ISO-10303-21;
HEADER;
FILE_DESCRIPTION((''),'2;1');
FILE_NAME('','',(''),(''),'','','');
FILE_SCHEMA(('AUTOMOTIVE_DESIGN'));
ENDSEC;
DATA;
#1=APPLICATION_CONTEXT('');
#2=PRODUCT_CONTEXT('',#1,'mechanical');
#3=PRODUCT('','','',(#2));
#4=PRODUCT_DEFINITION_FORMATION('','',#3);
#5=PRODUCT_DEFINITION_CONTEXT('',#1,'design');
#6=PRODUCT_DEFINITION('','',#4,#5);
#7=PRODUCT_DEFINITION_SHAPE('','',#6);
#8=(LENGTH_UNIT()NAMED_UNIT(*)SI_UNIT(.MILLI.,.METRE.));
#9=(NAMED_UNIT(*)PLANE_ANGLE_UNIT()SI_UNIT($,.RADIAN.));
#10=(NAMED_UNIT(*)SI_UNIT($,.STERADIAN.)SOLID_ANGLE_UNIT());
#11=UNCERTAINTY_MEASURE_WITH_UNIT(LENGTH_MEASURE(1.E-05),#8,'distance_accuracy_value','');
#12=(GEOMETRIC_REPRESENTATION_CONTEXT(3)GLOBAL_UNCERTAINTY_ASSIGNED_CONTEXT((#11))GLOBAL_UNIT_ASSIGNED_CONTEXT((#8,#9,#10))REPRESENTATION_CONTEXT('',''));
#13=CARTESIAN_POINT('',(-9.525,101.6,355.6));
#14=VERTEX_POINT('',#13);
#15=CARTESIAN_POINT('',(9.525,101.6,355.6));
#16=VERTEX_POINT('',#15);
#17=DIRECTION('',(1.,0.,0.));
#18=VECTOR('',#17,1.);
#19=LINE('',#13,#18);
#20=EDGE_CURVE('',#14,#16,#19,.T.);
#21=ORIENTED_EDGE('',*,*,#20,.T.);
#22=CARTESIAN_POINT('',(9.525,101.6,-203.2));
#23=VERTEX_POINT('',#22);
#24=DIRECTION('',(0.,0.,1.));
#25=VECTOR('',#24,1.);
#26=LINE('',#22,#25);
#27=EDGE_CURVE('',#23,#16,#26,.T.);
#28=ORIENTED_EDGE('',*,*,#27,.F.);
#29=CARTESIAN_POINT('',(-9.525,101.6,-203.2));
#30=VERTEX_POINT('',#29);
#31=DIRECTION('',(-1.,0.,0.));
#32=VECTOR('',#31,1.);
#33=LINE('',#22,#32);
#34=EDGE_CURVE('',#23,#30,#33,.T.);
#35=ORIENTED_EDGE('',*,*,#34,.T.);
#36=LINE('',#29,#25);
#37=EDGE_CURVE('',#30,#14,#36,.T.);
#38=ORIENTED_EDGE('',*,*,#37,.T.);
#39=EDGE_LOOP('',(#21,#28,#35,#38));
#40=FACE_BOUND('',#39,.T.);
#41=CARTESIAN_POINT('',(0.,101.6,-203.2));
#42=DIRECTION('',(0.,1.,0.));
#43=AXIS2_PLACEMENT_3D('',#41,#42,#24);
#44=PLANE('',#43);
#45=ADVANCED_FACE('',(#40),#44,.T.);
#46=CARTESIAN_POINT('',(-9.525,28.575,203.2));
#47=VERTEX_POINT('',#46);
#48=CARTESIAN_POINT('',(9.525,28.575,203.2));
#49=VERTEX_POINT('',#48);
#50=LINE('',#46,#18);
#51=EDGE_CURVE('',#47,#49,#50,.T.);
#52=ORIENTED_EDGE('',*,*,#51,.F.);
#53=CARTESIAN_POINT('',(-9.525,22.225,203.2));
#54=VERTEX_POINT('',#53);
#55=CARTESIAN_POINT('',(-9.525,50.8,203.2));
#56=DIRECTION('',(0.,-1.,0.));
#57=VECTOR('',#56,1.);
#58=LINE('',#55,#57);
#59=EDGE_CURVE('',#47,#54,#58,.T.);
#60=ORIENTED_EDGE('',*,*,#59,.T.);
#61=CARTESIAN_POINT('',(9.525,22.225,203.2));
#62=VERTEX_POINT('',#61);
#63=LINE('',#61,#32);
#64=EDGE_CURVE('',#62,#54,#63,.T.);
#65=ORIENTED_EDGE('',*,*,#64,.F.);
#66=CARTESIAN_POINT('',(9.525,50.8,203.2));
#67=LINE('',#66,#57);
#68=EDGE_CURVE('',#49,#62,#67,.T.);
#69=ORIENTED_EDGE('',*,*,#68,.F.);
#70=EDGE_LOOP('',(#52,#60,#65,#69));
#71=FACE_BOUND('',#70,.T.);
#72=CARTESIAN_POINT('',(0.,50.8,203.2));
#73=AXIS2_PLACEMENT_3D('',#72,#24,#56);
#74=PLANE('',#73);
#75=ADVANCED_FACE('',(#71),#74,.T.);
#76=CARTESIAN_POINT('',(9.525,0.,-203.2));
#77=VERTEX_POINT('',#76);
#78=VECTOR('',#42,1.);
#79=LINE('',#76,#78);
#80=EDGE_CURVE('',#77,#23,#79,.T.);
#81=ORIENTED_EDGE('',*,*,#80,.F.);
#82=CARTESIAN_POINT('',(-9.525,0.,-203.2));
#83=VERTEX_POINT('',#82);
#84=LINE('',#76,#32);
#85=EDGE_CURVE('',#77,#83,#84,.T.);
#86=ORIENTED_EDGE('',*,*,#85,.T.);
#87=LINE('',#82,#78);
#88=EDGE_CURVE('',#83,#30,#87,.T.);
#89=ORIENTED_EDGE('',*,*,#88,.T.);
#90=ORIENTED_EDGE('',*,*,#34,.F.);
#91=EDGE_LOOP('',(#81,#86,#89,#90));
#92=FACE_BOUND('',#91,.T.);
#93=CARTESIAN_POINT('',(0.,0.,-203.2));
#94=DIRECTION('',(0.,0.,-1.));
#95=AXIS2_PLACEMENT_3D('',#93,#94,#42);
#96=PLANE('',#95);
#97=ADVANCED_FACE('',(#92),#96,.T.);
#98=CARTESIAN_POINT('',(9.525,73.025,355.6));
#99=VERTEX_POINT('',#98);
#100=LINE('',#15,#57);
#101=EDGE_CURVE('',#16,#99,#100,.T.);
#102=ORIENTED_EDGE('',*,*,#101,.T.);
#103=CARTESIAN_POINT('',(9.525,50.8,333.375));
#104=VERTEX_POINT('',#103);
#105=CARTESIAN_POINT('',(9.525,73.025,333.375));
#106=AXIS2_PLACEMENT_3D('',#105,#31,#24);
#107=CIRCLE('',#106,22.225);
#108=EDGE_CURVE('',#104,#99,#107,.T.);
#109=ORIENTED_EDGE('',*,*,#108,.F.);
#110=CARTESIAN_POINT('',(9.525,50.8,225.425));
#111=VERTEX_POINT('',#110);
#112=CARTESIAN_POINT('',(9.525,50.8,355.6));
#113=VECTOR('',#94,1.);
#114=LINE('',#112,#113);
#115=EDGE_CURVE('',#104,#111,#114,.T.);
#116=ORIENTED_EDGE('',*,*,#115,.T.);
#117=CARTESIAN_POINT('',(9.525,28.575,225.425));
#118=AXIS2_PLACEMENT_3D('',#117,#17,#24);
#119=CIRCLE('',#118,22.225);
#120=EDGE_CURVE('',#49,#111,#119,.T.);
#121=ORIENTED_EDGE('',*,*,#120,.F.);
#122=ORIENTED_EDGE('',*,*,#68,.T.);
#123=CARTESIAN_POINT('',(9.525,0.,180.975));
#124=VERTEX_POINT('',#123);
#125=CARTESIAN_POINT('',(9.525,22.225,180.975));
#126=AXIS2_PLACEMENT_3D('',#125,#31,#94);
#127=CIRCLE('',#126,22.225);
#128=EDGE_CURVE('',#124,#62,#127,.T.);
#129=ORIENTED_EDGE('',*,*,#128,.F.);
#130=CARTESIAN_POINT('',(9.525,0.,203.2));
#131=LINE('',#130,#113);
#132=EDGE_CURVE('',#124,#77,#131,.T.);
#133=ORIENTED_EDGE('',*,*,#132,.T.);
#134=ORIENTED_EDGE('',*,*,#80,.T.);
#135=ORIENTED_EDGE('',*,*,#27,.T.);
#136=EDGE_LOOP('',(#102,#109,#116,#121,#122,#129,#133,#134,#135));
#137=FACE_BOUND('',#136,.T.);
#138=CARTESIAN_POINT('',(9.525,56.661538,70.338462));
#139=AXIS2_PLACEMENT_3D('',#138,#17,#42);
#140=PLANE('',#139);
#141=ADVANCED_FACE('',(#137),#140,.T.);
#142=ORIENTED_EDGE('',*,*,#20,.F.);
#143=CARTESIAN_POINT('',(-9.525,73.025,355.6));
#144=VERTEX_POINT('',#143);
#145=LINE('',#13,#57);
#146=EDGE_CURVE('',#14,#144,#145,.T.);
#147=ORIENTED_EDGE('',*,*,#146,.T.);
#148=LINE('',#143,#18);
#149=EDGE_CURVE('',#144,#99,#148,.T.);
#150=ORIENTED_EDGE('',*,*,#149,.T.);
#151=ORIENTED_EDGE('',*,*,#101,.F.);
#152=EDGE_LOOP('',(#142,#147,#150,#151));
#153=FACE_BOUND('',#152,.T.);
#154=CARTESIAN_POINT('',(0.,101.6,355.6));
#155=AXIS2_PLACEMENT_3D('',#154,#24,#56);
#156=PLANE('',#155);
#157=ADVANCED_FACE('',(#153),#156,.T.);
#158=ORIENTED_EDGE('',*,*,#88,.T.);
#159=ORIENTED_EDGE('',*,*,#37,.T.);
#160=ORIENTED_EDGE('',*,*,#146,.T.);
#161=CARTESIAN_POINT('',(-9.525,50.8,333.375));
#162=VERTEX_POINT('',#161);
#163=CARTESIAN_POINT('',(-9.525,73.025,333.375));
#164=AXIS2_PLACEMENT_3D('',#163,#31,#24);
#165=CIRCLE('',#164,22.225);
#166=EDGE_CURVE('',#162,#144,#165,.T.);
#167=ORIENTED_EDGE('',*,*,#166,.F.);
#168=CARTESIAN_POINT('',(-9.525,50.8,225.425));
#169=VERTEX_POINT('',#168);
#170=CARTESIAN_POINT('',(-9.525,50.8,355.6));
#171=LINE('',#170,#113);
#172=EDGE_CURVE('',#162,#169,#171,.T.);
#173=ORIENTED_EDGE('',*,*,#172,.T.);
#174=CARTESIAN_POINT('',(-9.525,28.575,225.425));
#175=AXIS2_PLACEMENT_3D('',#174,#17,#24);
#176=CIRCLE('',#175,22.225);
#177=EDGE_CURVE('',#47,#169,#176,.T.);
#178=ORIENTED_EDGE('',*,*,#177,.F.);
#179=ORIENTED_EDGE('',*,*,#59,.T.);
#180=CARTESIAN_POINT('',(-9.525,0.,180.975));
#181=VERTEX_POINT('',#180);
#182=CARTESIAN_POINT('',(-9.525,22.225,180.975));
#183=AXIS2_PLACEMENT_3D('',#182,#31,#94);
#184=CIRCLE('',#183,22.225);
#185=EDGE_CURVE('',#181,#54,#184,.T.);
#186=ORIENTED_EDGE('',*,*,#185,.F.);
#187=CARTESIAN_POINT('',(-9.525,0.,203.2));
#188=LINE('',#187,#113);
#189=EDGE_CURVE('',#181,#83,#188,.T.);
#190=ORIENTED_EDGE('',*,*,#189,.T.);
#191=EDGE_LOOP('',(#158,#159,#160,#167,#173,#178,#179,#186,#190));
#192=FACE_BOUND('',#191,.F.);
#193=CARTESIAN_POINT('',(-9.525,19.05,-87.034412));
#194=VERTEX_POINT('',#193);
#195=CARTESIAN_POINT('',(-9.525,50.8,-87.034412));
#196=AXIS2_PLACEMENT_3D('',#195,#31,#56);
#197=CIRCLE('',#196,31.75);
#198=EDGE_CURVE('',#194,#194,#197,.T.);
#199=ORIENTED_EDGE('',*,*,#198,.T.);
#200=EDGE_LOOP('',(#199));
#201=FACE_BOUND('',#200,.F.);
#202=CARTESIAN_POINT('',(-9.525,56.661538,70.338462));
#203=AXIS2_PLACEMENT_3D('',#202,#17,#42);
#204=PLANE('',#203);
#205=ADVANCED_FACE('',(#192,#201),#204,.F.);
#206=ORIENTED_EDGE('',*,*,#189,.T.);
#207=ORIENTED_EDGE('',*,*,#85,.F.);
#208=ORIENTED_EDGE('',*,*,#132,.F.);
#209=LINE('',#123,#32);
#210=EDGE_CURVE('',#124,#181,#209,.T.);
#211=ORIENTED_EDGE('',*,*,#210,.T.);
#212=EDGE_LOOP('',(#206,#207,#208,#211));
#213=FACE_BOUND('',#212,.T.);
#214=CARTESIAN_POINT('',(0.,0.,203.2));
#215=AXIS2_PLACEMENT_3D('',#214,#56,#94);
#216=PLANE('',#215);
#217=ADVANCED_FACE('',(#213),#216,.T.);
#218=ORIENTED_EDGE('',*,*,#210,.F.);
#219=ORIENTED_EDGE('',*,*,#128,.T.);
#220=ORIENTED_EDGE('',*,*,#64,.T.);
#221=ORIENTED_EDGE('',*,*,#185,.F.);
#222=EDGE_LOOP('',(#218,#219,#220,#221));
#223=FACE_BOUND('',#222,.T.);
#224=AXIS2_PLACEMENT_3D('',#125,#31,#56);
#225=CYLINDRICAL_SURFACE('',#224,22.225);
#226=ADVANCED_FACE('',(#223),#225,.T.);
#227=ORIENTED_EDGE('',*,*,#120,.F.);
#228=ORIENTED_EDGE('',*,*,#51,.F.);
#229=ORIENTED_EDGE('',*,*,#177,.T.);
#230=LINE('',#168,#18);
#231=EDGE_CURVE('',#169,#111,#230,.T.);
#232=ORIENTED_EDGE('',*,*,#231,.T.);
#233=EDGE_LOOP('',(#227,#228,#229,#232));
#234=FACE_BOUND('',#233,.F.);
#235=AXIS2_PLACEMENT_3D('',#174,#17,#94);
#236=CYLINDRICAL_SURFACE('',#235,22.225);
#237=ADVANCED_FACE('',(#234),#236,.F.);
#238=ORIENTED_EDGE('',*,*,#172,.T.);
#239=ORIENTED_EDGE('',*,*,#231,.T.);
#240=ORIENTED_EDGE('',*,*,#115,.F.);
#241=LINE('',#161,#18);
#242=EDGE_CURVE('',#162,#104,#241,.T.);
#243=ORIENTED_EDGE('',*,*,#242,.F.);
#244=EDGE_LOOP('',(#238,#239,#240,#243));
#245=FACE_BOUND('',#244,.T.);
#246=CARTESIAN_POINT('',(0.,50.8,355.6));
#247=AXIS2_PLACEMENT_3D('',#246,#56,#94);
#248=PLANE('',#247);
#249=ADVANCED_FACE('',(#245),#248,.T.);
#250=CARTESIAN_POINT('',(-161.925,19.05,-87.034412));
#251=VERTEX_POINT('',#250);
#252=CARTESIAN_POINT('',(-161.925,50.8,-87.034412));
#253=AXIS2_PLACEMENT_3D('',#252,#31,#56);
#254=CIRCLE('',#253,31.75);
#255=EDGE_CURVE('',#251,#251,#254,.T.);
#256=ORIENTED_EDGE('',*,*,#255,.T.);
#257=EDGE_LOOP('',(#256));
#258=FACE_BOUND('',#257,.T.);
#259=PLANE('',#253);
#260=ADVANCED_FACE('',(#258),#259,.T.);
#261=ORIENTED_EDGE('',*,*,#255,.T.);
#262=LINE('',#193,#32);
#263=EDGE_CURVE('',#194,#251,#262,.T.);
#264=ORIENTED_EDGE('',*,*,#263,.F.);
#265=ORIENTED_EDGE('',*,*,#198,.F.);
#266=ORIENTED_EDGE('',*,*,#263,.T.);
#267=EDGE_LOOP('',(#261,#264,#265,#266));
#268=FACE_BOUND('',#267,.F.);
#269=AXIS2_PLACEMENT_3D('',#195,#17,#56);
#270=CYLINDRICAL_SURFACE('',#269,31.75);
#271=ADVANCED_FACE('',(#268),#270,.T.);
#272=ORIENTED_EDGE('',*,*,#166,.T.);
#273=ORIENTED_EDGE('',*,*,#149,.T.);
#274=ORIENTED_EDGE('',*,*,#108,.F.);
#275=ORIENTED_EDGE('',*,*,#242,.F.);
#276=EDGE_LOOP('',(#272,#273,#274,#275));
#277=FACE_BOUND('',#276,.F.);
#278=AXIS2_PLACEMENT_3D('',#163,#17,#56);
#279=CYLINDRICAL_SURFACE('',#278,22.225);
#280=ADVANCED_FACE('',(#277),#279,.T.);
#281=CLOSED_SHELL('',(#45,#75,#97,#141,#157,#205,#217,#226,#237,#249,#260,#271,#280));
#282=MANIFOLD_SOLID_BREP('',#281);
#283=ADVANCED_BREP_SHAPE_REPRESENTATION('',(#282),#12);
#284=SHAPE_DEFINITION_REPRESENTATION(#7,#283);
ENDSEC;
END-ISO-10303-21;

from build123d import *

# Parameters (mm, degrees)
F1_DEPTH = 9.525
F2_R     = 22.225
F3_R     = 31.75
F4_DEPTH = 152.4


with BuildPart() as f1:
    # F0 (on Right) → F1 (new body, symmetric)
    with BuildSketch(Plane.YZ):
        Polygon((101.6, -203.2), (101.6, 355.6), (50.8, 355.6), (50.8, 203.2), (0, 203.2), (0, -203.2), align=None)
    extrude(amount=F1_DEPTH, both=True)

    # F2
    f2_edges = [f1.edges().sort_by_distance(p)[0] for p in [
        (0, 50.8, 355.6),
        (0, 50.8, 203.2),
        (0, 0, 203.2),
    ]]
    fillet(f2_edges, radius=F2_R)

    # F3 (on face) → F4 (join)
    with BuildSketch(Plane(origin=(-9.525, 0, 0), x_dir=(0, -1, 0), z_dir=(-1, 0, 0))):
        with Locations((-50.8, -87.034412)):
            Circle(F3_R)
    extrude(amount=F4_DEPTH)


solid = f1.part
